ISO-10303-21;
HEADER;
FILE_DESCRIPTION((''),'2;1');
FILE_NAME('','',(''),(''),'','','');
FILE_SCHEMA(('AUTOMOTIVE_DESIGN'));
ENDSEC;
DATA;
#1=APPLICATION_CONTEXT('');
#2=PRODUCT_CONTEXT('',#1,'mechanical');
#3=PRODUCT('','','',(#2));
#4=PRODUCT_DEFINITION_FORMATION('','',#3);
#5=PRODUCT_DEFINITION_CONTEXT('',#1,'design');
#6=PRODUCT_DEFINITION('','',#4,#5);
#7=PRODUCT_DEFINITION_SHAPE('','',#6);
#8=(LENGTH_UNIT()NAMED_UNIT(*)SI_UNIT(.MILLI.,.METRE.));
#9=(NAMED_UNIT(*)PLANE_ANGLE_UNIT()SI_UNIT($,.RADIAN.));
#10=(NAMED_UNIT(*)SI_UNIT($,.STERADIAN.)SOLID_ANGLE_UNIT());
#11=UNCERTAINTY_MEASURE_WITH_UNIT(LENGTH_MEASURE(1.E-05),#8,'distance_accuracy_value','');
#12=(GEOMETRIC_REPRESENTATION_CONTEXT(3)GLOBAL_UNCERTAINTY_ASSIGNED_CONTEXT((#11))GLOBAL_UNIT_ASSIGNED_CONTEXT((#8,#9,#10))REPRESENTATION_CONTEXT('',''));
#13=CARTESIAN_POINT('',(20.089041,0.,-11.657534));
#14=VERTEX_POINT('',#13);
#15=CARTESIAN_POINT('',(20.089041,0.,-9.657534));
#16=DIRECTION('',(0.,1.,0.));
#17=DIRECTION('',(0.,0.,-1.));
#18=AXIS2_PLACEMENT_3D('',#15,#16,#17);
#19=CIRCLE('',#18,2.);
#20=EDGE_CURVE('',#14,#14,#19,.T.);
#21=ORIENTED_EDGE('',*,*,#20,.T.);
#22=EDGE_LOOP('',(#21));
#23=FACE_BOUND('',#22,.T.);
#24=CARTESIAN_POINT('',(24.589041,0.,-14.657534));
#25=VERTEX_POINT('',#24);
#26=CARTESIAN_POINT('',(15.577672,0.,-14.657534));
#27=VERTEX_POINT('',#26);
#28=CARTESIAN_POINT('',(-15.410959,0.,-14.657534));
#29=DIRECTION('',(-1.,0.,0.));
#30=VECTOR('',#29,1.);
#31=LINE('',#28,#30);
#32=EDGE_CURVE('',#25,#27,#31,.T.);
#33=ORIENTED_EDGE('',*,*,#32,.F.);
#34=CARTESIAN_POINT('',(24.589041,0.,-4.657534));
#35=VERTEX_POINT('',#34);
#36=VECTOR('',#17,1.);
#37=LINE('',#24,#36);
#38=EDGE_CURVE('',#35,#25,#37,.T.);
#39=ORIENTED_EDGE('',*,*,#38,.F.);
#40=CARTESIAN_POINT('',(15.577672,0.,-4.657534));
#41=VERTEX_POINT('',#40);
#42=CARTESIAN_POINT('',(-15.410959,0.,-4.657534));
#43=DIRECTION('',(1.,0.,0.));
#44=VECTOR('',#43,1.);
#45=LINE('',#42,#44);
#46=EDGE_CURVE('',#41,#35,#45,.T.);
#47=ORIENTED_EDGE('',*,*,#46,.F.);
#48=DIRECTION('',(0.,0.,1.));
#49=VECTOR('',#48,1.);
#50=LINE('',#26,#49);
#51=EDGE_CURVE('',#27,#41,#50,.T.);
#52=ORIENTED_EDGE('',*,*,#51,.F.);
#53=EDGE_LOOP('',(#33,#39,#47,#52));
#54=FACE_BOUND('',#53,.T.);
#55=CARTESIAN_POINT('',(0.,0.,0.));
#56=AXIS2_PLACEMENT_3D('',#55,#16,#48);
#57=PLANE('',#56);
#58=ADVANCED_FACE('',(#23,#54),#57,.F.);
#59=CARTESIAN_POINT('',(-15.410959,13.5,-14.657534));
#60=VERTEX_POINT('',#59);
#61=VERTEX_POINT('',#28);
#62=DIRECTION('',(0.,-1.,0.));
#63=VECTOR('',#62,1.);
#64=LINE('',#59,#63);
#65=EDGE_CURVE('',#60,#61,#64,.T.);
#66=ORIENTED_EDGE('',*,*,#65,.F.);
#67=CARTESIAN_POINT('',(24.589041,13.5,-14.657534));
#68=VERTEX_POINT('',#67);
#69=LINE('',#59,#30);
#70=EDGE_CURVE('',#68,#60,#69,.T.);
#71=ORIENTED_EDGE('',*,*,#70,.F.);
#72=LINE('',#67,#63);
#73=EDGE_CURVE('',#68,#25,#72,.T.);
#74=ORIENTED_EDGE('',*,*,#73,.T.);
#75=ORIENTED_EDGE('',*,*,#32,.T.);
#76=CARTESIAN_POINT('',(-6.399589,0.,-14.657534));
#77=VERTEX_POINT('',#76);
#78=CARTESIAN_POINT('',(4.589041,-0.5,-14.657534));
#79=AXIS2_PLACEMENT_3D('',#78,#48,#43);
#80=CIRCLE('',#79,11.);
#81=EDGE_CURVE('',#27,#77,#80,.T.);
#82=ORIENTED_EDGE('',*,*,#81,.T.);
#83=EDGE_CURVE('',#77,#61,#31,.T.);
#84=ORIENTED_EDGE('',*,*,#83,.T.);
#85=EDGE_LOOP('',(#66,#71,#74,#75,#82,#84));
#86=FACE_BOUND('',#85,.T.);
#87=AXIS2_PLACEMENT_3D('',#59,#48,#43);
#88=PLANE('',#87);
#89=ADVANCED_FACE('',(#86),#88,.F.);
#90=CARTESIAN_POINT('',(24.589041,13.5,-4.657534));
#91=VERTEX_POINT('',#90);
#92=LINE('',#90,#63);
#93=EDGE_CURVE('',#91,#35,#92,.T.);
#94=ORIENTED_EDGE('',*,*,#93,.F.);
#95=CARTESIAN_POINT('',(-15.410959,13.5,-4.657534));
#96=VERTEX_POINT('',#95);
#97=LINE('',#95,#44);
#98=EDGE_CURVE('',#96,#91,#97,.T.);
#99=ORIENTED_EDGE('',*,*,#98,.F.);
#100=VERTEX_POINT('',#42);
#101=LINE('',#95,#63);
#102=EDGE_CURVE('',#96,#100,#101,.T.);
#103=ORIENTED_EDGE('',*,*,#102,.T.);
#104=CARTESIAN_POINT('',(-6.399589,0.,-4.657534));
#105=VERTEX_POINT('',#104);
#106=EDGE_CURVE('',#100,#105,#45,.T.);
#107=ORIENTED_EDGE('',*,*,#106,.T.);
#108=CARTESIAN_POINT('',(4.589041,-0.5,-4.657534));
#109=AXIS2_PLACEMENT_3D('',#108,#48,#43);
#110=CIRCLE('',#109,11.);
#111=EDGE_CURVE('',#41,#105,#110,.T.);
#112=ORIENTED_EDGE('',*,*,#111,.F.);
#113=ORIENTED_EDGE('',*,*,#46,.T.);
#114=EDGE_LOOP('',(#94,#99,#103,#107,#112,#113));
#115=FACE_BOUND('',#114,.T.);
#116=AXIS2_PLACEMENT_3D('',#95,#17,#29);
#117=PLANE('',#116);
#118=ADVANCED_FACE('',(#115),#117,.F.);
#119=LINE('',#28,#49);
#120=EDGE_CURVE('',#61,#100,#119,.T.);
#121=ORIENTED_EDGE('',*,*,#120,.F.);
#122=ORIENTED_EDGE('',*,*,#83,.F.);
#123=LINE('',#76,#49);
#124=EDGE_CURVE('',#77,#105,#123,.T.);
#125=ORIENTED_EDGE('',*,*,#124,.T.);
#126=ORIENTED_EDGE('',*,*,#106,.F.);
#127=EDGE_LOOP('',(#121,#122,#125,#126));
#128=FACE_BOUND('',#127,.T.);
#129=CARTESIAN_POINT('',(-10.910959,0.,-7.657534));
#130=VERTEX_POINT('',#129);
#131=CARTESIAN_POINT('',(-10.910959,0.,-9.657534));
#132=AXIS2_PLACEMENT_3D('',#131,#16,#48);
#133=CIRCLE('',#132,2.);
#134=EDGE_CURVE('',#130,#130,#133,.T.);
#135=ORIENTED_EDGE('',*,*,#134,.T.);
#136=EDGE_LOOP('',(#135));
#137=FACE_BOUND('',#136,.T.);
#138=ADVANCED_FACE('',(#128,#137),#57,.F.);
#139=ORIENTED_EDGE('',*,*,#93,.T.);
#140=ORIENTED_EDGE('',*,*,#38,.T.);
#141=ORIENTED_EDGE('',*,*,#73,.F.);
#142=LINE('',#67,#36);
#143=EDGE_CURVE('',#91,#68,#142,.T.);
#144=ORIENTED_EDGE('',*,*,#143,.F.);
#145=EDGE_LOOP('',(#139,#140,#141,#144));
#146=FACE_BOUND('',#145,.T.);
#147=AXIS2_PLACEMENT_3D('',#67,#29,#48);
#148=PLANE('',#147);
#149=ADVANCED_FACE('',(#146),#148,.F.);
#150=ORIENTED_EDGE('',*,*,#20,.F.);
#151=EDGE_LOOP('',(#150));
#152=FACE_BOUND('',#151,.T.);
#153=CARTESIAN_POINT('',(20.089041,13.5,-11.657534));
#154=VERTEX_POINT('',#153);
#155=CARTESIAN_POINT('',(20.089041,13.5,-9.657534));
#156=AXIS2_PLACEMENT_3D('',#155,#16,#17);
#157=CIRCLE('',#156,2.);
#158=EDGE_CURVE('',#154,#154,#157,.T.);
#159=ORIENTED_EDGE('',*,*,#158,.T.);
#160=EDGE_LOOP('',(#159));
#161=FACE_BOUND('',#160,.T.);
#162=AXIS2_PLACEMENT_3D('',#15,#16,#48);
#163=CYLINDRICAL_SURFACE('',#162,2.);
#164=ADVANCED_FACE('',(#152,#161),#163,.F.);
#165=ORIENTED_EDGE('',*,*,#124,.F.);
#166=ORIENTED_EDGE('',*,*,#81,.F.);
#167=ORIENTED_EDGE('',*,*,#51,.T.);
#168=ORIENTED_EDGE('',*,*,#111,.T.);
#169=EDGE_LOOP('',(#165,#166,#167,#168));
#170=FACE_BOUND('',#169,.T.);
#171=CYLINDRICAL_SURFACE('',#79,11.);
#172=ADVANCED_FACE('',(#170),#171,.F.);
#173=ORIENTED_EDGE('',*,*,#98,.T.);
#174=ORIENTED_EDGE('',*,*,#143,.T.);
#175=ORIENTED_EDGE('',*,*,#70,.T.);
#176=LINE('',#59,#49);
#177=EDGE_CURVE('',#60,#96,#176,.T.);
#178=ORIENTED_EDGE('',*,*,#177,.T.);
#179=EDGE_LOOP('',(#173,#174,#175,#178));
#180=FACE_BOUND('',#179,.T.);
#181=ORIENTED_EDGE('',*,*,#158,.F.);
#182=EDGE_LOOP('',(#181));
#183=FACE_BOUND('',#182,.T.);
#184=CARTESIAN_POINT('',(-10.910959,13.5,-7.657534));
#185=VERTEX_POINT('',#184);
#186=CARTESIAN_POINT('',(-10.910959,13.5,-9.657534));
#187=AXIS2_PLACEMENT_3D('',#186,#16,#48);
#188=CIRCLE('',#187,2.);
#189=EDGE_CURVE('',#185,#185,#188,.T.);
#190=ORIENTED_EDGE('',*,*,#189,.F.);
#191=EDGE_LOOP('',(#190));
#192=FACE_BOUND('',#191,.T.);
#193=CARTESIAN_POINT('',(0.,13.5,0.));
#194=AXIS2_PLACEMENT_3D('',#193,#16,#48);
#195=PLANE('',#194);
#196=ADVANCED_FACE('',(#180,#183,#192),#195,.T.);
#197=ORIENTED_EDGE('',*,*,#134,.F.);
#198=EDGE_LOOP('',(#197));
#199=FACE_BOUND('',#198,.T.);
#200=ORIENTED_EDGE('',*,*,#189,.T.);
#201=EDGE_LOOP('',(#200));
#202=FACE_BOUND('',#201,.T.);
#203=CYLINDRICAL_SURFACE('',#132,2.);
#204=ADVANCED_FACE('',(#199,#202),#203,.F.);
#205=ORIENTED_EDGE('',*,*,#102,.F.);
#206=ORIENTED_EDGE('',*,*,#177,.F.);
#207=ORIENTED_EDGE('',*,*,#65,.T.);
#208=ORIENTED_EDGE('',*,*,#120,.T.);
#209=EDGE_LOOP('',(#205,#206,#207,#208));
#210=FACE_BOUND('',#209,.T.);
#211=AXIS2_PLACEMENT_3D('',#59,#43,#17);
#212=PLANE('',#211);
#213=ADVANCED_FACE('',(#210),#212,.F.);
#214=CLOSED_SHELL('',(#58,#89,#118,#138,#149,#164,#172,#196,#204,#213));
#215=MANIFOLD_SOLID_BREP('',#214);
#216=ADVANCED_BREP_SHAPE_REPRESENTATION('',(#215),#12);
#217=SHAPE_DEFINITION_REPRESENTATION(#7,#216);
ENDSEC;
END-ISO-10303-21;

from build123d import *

# Parameters (mm, degrees)
ESQUISSE2_W             = 40
ESQUISSE2_H             = 10
BOSS_EXTRU_2_DEPTH      = 13.5
ENL_V_MAT_EXTRU_3_DEPTH = 30.780378473
ESQUISSE5_R             = 2
ENL_V_MAT_EXTRU_4_DEPTH = 32.649869703


with BuildPart() as part:
    # Esquisse2 → Boss.-Extru.2 (new body)
    with BuildSketch(Plane(origin=(0, 0, 0), x_dir=(1, 0, 0), z_dir=(0, 1, 0))):
        with Locations((4.589041096, 9.657534247)):
            Rectangle(ESQUISSE2_W, ESQUISSE2_H)
    extrude(amount=BOSS_EXTRU_2_DEPTH)

    # Esquisse4 → Enlèv. mat.-Extru.3 (cut, through all)
    with BuildSketch(Plane.XY.offset(-4.657534247)):
        with BuildLine():
            Line((-6.399589392, 0), (15.577671584, 0))
            ThreePointArc((15.577671584, 0), (4.589041096, 10.5), (-6.399589392, 0))
        make_face()
    extrude(amount=-ENL_V_MAT_EXTRU_3_DEPTH, mode=Mode.SUBTRACT)

    # Esquisse5 → Enlèv. mat.-Extru.4 (cut, through all)
    with BuildSketch(Plane(origin=(0, 13.5, 0), x_dir=(1, 0, 0), z_dir=(0, 1, 0))):
        with Locations(Location((-10.910958904, 9.657534247, 0), (0, 0, 270))):
            Circle(ESQUISSE5_R)
        with Locations(Location((20.089041096, 9.657534247, 0), (0, 0, 90))):
            Circle(ESQUISSE5_R)
    extrude(amount=-ENL_V_MAT_EXTRU_4_DEPTH, mode=Mode.SUBTRACT)


solid = part.part
